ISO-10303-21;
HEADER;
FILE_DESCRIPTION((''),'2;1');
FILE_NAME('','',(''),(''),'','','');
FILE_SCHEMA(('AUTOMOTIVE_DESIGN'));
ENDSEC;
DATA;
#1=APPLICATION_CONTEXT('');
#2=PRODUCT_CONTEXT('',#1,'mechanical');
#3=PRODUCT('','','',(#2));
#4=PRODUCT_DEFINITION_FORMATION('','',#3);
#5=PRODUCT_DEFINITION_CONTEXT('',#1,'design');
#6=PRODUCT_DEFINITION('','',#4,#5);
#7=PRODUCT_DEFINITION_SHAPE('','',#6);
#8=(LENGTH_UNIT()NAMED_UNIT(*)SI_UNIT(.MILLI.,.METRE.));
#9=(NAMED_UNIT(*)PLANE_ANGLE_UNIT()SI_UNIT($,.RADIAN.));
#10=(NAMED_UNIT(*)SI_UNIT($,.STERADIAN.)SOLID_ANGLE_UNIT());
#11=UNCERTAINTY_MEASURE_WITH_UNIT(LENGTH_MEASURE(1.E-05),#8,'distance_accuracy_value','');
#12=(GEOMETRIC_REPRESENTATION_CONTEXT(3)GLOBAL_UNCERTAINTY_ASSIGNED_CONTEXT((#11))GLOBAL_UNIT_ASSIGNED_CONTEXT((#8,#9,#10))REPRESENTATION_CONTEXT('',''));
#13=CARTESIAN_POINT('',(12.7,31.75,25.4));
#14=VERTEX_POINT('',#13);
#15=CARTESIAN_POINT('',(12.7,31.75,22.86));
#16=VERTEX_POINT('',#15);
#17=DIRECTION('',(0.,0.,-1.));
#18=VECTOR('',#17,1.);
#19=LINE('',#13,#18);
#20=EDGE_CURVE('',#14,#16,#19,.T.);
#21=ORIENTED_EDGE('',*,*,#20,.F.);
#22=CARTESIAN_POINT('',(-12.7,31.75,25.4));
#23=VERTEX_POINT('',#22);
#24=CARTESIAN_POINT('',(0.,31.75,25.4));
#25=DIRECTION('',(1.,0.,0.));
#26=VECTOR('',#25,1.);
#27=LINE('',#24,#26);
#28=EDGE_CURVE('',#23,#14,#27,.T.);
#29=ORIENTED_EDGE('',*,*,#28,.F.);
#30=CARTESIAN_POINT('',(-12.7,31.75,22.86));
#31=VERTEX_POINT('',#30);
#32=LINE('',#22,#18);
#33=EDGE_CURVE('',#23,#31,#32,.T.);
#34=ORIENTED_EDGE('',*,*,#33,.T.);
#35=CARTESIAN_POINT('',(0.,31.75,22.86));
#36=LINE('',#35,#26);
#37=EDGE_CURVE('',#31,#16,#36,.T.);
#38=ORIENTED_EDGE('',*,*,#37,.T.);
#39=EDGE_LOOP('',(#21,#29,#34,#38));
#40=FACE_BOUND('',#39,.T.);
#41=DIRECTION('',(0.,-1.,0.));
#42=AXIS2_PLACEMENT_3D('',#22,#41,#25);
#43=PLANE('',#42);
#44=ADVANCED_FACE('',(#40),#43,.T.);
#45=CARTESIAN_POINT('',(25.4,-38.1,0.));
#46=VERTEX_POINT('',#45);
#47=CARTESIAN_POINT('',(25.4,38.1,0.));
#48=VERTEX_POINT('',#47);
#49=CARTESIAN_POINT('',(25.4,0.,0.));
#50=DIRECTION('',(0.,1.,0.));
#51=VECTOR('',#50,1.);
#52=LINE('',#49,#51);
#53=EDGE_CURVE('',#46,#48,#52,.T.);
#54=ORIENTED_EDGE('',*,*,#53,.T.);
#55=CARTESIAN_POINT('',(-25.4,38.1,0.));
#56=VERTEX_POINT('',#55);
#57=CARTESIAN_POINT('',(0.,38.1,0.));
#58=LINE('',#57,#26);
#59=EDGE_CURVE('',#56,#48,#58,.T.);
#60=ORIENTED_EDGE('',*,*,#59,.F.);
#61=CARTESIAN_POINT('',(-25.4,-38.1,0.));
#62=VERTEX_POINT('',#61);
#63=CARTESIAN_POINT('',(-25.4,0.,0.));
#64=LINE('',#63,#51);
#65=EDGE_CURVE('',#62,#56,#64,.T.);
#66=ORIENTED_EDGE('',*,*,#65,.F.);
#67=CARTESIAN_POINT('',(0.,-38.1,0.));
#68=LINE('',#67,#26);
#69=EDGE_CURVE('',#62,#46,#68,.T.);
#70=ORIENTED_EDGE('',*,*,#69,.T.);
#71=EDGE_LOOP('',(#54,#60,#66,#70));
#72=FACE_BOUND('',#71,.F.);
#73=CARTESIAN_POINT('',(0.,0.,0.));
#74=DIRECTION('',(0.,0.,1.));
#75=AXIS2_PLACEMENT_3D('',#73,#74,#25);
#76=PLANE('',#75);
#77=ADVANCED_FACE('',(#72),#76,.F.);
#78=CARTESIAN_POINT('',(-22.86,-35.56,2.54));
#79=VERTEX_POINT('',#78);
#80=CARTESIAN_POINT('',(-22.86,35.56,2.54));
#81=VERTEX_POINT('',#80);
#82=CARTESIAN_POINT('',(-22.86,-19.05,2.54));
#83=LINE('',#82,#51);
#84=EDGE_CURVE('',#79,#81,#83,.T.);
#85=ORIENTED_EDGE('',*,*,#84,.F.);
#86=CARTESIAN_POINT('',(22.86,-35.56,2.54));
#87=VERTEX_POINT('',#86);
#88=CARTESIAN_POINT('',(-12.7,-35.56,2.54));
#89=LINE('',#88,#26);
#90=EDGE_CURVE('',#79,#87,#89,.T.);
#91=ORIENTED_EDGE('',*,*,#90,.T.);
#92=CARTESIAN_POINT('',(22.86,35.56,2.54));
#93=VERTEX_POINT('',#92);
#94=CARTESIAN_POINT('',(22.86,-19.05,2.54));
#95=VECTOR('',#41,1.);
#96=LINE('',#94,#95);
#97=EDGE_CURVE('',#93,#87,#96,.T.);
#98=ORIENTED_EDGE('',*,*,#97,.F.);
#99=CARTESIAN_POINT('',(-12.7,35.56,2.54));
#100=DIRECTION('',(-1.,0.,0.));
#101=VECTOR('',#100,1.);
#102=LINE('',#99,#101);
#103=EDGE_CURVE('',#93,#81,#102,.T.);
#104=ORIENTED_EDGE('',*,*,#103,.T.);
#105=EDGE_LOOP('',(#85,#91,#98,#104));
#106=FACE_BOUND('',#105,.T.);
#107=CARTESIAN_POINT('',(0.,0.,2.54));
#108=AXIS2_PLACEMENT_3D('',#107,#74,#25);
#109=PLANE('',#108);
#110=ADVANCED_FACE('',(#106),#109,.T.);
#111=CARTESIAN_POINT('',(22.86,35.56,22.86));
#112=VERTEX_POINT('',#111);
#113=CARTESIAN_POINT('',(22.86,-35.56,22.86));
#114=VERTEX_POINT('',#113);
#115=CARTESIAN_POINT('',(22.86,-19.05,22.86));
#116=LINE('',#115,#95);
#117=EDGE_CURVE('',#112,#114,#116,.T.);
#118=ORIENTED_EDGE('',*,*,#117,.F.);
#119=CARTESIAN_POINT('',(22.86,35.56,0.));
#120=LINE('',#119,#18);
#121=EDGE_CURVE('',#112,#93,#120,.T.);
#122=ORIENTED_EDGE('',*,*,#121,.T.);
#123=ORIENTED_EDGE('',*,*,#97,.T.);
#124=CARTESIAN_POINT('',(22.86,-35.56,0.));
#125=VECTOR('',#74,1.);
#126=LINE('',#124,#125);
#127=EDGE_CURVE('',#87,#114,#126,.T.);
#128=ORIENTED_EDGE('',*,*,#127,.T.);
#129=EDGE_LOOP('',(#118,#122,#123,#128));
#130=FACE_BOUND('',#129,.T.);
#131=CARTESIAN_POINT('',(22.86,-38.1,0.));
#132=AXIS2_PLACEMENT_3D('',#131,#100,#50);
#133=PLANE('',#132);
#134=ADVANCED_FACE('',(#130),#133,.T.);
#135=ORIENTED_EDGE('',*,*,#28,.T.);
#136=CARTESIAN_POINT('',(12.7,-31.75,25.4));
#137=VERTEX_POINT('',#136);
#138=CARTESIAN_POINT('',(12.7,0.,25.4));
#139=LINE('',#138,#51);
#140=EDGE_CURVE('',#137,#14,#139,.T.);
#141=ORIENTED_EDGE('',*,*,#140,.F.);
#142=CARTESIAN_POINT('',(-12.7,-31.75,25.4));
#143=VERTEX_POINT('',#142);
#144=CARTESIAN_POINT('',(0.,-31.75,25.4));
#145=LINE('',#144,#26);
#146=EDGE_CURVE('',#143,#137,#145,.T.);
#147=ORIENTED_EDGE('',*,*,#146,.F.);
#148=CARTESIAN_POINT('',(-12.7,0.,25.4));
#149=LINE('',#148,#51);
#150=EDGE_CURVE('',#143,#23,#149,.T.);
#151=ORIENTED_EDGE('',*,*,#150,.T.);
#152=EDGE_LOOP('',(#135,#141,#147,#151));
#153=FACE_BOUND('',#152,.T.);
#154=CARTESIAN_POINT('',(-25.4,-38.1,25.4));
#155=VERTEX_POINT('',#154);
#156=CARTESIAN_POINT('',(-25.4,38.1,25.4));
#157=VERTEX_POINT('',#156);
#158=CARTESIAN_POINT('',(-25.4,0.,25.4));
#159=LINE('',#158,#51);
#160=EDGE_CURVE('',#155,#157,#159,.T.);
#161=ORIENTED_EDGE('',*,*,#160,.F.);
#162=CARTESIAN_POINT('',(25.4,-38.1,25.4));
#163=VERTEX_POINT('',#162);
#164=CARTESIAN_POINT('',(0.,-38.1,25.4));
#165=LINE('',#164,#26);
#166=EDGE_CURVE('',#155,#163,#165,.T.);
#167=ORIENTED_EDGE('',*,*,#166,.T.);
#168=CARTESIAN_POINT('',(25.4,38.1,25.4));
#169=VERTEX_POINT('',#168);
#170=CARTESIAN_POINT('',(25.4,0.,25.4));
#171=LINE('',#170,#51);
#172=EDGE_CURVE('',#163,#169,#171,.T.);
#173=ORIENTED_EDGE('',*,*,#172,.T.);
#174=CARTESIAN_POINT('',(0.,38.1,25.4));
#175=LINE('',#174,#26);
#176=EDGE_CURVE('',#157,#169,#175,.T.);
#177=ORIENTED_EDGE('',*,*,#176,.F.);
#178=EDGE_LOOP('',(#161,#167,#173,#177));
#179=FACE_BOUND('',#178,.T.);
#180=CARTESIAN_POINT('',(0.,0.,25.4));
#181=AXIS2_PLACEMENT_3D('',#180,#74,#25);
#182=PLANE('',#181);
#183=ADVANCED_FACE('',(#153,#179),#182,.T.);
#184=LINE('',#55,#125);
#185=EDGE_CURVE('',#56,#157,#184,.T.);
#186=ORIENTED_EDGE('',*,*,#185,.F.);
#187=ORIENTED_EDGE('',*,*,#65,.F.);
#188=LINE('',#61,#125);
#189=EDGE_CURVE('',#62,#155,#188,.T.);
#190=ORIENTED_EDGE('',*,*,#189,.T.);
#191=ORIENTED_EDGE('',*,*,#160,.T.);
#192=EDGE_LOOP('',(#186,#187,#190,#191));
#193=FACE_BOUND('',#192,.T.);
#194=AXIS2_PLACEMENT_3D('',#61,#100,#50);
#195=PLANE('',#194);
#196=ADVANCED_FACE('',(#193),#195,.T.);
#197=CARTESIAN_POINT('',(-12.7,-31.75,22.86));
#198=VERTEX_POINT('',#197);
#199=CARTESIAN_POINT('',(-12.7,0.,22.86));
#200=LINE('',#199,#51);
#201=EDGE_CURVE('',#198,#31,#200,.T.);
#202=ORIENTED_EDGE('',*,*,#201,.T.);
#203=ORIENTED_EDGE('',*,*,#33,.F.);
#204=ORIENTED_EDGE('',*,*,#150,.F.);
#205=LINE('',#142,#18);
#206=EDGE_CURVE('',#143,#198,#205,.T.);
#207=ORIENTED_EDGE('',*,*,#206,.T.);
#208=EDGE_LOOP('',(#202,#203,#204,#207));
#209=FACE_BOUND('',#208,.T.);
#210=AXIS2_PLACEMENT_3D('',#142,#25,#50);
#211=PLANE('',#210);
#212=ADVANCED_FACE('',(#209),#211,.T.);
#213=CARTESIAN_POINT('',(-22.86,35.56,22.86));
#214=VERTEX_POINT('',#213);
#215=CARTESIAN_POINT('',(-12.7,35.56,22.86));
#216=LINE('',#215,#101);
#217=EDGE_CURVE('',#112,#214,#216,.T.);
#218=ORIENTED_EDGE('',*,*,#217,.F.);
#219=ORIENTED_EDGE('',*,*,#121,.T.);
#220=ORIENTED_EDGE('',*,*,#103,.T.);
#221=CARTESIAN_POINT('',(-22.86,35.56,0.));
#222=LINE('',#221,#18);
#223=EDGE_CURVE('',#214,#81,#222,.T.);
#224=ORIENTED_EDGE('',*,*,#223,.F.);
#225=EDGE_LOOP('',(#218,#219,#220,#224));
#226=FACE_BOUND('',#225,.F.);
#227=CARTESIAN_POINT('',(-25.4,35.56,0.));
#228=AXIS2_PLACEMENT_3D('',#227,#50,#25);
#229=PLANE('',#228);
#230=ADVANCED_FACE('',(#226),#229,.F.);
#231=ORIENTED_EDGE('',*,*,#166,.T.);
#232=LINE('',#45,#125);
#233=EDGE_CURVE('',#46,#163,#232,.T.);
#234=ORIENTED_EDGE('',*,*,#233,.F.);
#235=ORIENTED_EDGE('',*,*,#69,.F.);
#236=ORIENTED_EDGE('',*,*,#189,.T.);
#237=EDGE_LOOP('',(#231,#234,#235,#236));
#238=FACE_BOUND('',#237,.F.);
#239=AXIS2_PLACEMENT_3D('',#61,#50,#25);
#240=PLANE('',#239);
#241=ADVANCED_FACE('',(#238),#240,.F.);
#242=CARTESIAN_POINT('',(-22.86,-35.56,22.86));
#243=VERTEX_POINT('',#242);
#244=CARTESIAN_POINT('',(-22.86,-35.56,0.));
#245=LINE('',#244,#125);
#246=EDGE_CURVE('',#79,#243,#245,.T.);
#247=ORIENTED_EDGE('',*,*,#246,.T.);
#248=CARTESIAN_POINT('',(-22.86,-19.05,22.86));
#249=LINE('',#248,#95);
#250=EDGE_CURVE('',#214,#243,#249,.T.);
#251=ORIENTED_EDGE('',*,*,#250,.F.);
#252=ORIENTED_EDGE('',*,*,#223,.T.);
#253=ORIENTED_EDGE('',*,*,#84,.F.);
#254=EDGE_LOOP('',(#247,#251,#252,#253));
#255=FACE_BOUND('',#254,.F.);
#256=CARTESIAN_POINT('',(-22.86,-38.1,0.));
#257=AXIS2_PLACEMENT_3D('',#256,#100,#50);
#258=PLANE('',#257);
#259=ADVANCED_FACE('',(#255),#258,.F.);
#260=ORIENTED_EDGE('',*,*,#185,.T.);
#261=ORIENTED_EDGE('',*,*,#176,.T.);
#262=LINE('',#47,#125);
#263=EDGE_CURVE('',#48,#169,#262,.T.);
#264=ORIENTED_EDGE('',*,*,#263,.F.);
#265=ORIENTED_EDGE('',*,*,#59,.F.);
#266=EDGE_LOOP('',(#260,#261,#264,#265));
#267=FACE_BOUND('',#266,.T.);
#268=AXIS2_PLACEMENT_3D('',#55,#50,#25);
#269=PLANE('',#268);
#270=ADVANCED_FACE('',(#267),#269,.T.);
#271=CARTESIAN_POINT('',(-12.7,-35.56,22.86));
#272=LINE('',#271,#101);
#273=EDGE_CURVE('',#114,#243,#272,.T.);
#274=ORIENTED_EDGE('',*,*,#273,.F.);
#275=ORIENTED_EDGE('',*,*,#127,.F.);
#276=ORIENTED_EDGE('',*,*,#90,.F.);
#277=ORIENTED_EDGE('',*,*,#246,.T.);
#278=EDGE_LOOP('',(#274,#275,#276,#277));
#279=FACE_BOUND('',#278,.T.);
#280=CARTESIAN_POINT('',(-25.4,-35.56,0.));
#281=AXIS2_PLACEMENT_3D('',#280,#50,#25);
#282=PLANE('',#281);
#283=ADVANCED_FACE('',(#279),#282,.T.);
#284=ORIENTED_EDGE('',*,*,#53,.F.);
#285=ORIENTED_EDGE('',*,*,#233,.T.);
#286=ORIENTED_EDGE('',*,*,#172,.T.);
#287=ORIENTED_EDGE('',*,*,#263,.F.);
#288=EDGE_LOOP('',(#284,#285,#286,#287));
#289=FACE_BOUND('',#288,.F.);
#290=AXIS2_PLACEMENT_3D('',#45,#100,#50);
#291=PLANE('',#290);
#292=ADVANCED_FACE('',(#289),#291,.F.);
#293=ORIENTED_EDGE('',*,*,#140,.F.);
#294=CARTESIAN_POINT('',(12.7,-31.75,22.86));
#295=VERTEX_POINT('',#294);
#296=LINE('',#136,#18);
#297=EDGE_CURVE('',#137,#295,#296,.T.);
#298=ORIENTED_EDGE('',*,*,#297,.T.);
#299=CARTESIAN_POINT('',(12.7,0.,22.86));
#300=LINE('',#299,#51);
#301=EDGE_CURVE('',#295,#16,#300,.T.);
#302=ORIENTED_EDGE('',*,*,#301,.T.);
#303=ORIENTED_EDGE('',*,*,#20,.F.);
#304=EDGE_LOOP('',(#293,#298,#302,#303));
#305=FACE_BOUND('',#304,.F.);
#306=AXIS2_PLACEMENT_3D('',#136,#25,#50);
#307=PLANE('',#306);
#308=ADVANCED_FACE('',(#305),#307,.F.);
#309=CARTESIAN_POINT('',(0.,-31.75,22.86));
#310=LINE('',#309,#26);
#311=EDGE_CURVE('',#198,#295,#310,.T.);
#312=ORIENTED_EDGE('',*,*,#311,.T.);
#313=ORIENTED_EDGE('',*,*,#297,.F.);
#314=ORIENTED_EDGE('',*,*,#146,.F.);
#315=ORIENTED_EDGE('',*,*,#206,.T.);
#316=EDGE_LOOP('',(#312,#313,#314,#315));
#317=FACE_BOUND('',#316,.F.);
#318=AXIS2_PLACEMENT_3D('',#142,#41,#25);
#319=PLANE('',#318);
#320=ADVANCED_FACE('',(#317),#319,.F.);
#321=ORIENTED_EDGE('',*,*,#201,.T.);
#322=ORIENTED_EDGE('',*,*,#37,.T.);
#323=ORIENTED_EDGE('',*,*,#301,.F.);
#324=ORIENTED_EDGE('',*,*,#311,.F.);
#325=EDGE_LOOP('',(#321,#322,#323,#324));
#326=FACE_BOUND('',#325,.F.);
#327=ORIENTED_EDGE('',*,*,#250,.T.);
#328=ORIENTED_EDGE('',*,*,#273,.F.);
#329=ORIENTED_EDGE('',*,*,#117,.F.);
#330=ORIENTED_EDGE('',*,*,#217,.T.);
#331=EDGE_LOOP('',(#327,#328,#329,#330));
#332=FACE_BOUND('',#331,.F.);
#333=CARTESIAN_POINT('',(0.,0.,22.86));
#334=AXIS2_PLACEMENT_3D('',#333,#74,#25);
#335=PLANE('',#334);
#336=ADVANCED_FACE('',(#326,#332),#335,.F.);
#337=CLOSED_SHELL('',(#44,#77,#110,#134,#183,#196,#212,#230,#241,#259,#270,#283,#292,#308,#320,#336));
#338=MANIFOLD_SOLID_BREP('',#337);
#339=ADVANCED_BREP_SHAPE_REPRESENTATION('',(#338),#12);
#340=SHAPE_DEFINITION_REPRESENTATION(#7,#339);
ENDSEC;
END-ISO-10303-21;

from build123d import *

# Parameters (mm, degrees)
F0_W     = 50.8
F0_H     = 76.2
F1_DEPTH = 25.4
F2_W     = 25.4
F2_H     = 63.5
F3_DEPTH = 12.7
F4_T     = -2.54


with BuildPart() as f1:
    # F0 (on Top) → F1 (new body)
    with BuildSketch(Plane.XY):
        Rectangle(F0_W, F0_H)
    extrude(amount=F1_DEPTH)

    # F2 (on face) → F3 (cut)
    with BuildSketch(Plane.XY.offset(25.4)):
        Rectangle(F2_W, F2_H)
    extrude(amount=-F3_DEPTH, mode=Mode.SUBTRACT)

    # F4
    f4_openings = [f1.faces().sort_by_distance(p)[0] for p in [
        (-12.7, 0, 19.05),
        (0, 0, 12.7),
        (0, 31.75, 19.05),
        (12.7, 0, 19.05),
        (0, -31.75, 19.05),
    ]]
    offset(amount=F4_T, openings=f4_openings)


solid = f1.part
